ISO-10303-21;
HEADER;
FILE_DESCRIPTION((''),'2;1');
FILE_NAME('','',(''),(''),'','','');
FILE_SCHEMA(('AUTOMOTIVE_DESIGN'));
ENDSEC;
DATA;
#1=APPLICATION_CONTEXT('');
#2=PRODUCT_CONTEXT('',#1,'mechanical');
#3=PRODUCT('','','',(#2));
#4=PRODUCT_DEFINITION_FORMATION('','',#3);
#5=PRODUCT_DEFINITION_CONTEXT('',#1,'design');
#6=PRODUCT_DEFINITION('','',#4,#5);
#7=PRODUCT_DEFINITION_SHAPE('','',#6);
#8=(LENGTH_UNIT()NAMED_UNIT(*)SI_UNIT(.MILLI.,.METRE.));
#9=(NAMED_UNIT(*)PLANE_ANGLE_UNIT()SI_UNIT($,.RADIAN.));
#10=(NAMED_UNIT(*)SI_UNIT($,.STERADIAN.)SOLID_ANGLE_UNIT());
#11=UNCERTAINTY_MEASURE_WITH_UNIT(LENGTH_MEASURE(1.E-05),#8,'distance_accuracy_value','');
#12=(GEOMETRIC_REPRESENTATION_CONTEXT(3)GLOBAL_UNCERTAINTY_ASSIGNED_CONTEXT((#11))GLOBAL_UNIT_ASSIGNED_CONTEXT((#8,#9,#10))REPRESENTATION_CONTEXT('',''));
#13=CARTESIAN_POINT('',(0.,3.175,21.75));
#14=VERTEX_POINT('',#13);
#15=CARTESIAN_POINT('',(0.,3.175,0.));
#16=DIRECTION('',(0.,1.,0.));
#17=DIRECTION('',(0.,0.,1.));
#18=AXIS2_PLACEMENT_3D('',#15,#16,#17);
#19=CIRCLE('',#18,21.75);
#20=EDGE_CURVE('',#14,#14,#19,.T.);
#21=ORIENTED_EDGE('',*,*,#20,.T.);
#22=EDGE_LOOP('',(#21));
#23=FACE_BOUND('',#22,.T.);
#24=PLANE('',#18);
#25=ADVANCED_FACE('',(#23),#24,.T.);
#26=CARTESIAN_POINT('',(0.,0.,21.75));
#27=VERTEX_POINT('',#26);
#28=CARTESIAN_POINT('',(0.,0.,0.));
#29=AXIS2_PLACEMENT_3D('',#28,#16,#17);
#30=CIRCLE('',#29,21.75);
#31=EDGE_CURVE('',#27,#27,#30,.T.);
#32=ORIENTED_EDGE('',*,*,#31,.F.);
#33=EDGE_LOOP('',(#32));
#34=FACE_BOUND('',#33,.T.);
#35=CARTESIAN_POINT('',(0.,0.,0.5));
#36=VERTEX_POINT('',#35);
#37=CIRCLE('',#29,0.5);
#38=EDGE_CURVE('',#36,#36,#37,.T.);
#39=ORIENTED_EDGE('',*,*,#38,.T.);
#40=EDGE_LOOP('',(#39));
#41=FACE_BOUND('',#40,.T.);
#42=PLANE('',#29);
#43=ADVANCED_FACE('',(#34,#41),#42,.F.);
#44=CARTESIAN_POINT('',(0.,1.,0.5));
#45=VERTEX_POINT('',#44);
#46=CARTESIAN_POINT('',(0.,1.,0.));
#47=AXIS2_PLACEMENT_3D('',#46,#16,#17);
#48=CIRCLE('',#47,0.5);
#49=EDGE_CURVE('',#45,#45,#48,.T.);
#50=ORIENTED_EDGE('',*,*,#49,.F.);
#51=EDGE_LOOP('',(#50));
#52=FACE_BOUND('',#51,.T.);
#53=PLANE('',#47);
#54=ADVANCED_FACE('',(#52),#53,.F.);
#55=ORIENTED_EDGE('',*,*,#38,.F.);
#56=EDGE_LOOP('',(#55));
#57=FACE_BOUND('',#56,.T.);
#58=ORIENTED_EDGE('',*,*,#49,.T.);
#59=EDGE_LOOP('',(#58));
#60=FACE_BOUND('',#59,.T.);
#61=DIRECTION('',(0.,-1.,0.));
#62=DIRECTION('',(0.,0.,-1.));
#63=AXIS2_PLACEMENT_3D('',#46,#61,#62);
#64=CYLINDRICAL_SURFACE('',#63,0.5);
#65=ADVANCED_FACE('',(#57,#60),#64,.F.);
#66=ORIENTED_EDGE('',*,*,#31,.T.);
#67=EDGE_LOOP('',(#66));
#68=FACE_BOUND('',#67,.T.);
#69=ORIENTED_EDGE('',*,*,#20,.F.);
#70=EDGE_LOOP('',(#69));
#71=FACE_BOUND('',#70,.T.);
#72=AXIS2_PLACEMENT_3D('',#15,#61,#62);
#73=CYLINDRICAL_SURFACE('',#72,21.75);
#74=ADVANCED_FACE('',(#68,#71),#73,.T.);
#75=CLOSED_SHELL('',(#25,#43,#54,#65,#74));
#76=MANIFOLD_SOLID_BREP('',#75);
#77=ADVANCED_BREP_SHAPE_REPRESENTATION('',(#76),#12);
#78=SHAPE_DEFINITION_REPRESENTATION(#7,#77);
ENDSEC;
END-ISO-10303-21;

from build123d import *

# Parameters (mm, degrees)
SKETCH1_R           = 21.75
BOSS_EXTRUDE1_DEPTH = 3.175
SKETCH1_3_R         = 0.5
CUT_EXTRUDE1_DEPTH  = 1


with BuildPart() as part:
    # Sketch1 → Boss-Extrude1 (new body)
    with BuildSketch(Plane(origin=(0, 0, 0), x_dir=(1, 0, 0), z_dir=(0, 1, 0))):
        Circle(SKETCH1_R)
    extrude(amount=BOSS_EXTRUDE1_DEPTH)

    # Sketch1<3> → Cut-Extrude1 (cut)
    with BuildSketch(Plane(origin=(0, 0, 0), x_dir=(1, 0, 0), z_dir=(0, 1, 0))):
        Circle(SKETCH1_3_R)
    extrude(amount=CUT_EXTRUDE1_DEPTH, mode=Mode.SUBTRACT)


solid = part.part
